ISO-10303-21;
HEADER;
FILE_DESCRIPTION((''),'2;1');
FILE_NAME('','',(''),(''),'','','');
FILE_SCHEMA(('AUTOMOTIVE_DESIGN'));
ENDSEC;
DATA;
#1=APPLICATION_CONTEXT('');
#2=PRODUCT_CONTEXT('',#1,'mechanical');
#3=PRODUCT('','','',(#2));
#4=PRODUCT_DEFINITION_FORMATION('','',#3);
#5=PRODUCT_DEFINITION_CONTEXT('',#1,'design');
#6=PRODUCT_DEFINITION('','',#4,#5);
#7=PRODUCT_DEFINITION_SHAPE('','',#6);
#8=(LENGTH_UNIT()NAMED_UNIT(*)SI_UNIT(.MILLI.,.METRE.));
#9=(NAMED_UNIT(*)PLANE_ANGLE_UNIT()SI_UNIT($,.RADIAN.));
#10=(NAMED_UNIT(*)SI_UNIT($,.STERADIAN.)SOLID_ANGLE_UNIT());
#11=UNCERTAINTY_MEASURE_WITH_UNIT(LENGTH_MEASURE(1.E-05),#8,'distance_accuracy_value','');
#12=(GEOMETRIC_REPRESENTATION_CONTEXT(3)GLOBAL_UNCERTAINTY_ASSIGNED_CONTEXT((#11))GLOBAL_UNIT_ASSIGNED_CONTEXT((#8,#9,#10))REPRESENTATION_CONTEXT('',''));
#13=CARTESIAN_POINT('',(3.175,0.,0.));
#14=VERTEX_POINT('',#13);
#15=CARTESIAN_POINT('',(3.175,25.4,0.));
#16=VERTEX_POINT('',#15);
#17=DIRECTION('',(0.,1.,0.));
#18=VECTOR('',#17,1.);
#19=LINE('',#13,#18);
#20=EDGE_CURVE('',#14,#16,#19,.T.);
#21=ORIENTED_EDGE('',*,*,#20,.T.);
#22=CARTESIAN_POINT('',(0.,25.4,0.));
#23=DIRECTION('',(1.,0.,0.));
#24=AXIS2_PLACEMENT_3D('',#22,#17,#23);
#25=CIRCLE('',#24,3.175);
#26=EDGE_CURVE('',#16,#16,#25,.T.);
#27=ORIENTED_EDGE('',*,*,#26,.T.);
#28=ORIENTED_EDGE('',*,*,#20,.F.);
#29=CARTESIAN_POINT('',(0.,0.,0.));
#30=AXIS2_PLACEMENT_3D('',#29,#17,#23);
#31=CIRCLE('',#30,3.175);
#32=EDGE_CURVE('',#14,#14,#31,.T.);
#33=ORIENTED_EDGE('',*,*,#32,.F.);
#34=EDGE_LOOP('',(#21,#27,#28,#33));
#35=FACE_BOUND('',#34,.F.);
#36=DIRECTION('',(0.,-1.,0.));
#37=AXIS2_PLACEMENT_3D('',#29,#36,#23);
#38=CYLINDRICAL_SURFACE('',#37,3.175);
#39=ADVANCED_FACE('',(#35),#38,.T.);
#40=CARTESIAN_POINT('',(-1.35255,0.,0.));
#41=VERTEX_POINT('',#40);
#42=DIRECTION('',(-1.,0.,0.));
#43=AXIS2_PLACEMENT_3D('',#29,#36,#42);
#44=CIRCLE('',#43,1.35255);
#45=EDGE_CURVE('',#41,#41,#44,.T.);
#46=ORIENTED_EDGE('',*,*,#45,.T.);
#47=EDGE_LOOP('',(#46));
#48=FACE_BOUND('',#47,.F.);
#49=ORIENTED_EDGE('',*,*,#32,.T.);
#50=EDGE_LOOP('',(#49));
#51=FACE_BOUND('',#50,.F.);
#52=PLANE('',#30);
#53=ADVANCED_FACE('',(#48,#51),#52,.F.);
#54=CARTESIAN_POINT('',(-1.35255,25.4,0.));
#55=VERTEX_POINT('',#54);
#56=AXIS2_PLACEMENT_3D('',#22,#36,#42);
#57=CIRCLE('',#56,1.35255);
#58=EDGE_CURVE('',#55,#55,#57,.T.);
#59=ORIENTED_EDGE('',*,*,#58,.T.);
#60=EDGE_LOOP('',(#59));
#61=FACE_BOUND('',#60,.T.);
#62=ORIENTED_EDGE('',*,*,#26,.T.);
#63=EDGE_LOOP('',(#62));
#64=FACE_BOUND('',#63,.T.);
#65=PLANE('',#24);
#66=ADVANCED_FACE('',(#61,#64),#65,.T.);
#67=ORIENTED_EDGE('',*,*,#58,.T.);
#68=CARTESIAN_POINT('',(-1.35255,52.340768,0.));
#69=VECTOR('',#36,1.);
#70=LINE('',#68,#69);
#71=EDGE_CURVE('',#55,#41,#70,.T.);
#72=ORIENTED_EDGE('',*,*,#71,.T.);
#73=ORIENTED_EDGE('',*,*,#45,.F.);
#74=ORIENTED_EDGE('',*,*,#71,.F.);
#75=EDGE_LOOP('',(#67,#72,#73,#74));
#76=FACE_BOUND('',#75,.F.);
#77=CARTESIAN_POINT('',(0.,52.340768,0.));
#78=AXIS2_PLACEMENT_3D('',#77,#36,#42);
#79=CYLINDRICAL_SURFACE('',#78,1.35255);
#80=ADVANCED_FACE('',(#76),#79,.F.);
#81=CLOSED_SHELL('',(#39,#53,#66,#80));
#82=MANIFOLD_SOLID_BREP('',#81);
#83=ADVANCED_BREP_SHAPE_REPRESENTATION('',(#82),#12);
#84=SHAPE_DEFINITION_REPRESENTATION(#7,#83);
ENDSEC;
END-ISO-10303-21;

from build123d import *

# Parameters (mm, degrees)
SKETCH1_R                 = 3.175
BOSS_EXTRUDE1_DEPTH       = 25.4
TAP_DRILL_FOR_6_32_TAP1_D = 2.7051


with BuildPart() as part:
    # Sketch1 → Boss-Extrude1 (new body)
    with BuildSketch(Plane(origin=(0, 0, 0), x_dir=(1, 0, 0), z_dir=(0, 1, 0))):
        Circle(SKETCH1_R)
    extrude(amount=BOSS_EXTRUDE1_DEPTH)

    # Tap Drill for #6-32 Tap1 (through all)
    with Locations(Plane(origin=(0, 25.4, 0), x_dir=(1, 0, 0), z_dir=(0, 1, 0))):
        with Locations((0, 0)):
            Hole(TAP_DRILL_FOR_6_32_TAP1_D / 2)


solid = part.part
